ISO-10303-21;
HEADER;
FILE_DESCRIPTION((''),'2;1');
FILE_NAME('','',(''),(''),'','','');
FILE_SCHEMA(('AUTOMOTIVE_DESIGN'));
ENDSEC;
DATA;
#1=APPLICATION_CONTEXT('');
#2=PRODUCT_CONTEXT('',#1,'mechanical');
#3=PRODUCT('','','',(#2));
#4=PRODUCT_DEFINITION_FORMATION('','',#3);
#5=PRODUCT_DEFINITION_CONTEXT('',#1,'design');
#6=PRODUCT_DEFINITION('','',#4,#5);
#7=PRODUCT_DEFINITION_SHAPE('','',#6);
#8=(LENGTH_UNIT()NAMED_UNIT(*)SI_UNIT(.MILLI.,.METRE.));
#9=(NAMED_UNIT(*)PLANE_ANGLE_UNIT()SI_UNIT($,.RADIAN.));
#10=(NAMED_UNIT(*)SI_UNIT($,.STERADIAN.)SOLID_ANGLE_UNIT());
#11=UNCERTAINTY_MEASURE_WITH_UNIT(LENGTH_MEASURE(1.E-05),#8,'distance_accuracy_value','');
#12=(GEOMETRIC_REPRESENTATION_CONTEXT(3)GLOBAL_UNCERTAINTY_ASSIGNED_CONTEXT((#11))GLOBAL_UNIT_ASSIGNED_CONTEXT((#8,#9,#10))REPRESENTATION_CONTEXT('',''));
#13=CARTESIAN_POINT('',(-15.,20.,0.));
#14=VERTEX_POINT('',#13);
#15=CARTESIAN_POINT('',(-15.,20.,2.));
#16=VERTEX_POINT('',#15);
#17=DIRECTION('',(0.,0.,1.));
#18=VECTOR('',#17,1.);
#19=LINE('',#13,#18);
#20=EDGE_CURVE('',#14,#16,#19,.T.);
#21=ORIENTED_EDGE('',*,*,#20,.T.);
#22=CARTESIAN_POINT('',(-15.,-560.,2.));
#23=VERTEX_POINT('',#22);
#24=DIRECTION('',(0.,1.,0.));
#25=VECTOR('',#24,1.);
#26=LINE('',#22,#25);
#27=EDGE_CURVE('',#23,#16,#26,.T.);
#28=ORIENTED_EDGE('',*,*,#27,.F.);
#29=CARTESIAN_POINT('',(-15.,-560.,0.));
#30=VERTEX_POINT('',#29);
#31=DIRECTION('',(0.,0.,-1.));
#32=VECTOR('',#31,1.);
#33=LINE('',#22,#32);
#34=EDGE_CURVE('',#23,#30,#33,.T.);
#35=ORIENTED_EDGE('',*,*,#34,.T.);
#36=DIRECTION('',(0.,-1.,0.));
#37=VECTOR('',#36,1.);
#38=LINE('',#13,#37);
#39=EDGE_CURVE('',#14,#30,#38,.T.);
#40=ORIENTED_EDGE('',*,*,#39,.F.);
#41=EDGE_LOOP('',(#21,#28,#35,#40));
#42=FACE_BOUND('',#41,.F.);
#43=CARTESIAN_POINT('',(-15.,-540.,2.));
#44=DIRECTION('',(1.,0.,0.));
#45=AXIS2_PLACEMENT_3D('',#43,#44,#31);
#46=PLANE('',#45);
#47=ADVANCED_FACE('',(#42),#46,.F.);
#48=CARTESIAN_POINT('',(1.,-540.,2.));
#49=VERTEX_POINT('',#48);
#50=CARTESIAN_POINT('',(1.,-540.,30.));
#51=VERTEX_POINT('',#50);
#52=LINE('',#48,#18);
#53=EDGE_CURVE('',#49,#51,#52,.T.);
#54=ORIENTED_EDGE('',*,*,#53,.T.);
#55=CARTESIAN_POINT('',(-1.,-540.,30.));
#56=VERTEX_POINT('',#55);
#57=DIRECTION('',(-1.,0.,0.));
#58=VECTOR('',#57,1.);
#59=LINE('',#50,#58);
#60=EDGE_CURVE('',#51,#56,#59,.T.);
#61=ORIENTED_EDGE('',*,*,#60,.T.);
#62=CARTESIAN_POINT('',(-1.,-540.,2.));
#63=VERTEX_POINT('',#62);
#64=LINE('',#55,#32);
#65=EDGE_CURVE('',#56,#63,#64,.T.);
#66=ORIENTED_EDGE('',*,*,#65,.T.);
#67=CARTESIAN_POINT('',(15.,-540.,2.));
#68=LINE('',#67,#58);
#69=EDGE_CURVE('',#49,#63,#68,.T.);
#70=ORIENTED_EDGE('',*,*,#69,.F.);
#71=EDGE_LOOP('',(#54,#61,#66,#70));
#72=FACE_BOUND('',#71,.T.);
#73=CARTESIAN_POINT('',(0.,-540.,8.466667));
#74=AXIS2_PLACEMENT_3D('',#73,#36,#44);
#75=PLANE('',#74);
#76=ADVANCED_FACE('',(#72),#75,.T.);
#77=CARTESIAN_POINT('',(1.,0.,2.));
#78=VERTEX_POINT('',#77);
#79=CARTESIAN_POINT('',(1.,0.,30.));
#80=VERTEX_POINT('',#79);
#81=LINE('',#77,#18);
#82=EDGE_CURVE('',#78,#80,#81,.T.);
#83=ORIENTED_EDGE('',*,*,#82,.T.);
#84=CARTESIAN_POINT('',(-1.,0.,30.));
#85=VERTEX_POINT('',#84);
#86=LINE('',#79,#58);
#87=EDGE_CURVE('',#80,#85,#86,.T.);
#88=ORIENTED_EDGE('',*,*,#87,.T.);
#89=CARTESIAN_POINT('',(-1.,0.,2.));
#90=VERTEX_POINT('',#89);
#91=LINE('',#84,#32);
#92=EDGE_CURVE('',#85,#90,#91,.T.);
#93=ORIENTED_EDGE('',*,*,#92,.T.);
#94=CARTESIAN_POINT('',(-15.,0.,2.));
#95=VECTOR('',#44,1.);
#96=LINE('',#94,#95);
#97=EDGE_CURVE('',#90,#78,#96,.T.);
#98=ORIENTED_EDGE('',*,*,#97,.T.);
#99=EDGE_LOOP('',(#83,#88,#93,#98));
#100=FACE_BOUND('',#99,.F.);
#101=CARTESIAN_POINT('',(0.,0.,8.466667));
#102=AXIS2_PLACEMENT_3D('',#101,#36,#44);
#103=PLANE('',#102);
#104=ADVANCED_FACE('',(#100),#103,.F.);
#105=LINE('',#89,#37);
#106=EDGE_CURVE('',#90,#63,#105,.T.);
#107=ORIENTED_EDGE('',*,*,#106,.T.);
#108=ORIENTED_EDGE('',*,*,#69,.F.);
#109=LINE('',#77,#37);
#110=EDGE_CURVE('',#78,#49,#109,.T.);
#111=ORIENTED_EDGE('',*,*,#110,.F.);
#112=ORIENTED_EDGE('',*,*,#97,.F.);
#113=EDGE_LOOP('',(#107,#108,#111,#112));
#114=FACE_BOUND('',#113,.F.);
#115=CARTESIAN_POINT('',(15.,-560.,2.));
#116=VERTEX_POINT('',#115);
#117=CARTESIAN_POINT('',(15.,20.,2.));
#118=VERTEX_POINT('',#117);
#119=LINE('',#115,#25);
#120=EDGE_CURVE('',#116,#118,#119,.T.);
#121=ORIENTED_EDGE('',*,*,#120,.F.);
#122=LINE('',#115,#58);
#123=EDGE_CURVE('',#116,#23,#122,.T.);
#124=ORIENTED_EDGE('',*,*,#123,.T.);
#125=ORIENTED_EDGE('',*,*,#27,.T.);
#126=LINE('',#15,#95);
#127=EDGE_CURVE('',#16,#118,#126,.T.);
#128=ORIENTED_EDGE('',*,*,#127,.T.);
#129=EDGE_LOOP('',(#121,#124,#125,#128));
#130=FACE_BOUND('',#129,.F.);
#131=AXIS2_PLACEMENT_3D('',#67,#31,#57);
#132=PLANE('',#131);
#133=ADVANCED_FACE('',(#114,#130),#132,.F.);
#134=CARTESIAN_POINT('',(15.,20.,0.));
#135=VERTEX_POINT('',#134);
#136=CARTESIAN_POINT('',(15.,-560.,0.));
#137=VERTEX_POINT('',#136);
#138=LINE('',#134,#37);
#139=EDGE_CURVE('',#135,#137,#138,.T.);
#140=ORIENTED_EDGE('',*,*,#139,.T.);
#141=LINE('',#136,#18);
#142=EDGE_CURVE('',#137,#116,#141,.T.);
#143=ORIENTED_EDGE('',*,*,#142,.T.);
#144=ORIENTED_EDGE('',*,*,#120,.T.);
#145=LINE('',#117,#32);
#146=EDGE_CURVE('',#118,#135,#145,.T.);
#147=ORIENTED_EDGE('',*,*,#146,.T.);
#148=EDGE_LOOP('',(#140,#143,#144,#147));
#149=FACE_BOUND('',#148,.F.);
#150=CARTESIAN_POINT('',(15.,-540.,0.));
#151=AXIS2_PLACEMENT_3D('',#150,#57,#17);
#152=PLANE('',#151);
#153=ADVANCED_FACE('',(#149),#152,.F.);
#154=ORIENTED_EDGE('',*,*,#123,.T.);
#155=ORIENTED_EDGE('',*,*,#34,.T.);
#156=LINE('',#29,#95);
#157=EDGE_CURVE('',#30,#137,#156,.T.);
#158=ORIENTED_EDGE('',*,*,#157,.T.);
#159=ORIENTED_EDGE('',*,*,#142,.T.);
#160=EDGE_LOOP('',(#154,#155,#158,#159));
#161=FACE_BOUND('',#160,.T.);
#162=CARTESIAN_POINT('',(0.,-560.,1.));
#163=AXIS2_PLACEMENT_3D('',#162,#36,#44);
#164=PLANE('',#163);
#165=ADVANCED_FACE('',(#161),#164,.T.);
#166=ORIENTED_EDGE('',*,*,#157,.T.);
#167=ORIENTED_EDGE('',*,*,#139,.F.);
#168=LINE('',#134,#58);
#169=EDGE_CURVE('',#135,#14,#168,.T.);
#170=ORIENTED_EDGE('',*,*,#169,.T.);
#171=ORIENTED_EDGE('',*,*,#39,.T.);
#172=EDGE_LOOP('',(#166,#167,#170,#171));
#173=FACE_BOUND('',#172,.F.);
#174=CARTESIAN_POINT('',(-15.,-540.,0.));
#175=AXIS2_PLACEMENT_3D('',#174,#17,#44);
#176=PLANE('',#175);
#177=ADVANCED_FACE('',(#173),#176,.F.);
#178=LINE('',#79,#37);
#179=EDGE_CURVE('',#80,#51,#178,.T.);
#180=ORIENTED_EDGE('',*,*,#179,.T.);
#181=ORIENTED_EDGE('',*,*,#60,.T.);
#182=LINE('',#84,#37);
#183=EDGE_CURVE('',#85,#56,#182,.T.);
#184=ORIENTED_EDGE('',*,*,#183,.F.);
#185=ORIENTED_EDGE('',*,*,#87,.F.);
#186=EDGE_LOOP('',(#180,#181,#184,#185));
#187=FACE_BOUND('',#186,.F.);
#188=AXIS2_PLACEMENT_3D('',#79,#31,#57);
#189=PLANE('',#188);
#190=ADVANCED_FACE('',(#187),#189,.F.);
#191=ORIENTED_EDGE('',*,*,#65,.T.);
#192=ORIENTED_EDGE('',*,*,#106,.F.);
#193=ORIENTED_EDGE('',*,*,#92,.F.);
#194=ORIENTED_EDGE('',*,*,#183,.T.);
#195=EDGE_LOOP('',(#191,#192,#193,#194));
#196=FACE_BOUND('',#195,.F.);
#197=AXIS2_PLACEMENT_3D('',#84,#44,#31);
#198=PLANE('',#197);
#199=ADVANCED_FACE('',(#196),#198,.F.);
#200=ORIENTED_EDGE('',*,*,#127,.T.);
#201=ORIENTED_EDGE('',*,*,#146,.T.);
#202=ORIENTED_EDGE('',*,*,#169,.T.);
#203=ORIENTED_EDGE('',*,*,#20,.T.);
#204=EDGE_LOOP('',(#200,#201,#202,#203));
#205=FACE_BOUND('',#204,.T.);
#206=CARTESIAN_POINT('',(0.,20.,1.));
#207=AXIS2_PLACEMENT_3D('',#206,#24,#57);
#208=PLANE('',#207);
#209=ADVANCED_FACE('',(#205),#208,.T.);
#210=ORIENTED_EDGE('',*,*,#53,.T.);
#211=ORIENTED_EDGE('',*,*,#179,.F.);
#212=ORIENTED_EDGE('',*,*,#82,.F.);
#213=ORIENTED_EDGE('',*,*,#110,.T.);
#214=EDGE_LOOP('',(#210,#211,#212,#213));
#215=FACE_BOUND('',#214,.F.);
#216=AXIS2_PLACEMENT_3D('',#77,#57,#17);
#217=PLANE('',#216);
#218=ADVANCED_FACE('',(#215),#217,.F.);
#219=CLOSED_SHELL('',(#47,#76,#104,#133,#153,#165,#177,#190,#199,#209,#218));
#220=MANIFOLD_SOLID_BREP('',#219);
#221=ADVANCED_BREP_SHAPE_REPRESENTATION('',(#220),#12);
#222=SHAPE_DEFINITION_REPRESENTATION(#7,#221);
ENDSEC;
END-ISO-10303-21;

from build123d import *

# Parameters (mm, degrees)
F1_DEPTH = 540
F3_DEPTH = 20
F5_DEPTH = 20


with BuildPart() as f1:
    # F0 (on Front) → F1 (new body)
    with BuildSketch(Plane.XZ):
        Polygon((1, 30), (0, 30), (-1, 30), (-1, 2), (-15, 2), (-15, 0), (0, 0), (15, 0), (15, 2), (1, 2), align=None)
    extrude(amount=F1_DEPTH)

    # F2 (on face) → F3 (join)
    with BuildSketch(Plane(origin=(0, 0, 0), x_dir=(-1, 0, 0), z_dir=(0, 1, 0))):
        Polygon((-1, 2), (-15, 2), (-15, 0), (15, 0), (15, 2), (1, 2), align=None)
    extrude(amount=F3_DEPTH)

    # F4 (on face) → F5 (join)
    with BuildSketch(Plane.XZ.offset(540)):
        Polygon((-1, 2), (-15, 2), (-15, 0), (15, 0), (15, 2), (1, 2), align=None)
    extrude(amount=F5_DEPTH)


solid = f1.part
